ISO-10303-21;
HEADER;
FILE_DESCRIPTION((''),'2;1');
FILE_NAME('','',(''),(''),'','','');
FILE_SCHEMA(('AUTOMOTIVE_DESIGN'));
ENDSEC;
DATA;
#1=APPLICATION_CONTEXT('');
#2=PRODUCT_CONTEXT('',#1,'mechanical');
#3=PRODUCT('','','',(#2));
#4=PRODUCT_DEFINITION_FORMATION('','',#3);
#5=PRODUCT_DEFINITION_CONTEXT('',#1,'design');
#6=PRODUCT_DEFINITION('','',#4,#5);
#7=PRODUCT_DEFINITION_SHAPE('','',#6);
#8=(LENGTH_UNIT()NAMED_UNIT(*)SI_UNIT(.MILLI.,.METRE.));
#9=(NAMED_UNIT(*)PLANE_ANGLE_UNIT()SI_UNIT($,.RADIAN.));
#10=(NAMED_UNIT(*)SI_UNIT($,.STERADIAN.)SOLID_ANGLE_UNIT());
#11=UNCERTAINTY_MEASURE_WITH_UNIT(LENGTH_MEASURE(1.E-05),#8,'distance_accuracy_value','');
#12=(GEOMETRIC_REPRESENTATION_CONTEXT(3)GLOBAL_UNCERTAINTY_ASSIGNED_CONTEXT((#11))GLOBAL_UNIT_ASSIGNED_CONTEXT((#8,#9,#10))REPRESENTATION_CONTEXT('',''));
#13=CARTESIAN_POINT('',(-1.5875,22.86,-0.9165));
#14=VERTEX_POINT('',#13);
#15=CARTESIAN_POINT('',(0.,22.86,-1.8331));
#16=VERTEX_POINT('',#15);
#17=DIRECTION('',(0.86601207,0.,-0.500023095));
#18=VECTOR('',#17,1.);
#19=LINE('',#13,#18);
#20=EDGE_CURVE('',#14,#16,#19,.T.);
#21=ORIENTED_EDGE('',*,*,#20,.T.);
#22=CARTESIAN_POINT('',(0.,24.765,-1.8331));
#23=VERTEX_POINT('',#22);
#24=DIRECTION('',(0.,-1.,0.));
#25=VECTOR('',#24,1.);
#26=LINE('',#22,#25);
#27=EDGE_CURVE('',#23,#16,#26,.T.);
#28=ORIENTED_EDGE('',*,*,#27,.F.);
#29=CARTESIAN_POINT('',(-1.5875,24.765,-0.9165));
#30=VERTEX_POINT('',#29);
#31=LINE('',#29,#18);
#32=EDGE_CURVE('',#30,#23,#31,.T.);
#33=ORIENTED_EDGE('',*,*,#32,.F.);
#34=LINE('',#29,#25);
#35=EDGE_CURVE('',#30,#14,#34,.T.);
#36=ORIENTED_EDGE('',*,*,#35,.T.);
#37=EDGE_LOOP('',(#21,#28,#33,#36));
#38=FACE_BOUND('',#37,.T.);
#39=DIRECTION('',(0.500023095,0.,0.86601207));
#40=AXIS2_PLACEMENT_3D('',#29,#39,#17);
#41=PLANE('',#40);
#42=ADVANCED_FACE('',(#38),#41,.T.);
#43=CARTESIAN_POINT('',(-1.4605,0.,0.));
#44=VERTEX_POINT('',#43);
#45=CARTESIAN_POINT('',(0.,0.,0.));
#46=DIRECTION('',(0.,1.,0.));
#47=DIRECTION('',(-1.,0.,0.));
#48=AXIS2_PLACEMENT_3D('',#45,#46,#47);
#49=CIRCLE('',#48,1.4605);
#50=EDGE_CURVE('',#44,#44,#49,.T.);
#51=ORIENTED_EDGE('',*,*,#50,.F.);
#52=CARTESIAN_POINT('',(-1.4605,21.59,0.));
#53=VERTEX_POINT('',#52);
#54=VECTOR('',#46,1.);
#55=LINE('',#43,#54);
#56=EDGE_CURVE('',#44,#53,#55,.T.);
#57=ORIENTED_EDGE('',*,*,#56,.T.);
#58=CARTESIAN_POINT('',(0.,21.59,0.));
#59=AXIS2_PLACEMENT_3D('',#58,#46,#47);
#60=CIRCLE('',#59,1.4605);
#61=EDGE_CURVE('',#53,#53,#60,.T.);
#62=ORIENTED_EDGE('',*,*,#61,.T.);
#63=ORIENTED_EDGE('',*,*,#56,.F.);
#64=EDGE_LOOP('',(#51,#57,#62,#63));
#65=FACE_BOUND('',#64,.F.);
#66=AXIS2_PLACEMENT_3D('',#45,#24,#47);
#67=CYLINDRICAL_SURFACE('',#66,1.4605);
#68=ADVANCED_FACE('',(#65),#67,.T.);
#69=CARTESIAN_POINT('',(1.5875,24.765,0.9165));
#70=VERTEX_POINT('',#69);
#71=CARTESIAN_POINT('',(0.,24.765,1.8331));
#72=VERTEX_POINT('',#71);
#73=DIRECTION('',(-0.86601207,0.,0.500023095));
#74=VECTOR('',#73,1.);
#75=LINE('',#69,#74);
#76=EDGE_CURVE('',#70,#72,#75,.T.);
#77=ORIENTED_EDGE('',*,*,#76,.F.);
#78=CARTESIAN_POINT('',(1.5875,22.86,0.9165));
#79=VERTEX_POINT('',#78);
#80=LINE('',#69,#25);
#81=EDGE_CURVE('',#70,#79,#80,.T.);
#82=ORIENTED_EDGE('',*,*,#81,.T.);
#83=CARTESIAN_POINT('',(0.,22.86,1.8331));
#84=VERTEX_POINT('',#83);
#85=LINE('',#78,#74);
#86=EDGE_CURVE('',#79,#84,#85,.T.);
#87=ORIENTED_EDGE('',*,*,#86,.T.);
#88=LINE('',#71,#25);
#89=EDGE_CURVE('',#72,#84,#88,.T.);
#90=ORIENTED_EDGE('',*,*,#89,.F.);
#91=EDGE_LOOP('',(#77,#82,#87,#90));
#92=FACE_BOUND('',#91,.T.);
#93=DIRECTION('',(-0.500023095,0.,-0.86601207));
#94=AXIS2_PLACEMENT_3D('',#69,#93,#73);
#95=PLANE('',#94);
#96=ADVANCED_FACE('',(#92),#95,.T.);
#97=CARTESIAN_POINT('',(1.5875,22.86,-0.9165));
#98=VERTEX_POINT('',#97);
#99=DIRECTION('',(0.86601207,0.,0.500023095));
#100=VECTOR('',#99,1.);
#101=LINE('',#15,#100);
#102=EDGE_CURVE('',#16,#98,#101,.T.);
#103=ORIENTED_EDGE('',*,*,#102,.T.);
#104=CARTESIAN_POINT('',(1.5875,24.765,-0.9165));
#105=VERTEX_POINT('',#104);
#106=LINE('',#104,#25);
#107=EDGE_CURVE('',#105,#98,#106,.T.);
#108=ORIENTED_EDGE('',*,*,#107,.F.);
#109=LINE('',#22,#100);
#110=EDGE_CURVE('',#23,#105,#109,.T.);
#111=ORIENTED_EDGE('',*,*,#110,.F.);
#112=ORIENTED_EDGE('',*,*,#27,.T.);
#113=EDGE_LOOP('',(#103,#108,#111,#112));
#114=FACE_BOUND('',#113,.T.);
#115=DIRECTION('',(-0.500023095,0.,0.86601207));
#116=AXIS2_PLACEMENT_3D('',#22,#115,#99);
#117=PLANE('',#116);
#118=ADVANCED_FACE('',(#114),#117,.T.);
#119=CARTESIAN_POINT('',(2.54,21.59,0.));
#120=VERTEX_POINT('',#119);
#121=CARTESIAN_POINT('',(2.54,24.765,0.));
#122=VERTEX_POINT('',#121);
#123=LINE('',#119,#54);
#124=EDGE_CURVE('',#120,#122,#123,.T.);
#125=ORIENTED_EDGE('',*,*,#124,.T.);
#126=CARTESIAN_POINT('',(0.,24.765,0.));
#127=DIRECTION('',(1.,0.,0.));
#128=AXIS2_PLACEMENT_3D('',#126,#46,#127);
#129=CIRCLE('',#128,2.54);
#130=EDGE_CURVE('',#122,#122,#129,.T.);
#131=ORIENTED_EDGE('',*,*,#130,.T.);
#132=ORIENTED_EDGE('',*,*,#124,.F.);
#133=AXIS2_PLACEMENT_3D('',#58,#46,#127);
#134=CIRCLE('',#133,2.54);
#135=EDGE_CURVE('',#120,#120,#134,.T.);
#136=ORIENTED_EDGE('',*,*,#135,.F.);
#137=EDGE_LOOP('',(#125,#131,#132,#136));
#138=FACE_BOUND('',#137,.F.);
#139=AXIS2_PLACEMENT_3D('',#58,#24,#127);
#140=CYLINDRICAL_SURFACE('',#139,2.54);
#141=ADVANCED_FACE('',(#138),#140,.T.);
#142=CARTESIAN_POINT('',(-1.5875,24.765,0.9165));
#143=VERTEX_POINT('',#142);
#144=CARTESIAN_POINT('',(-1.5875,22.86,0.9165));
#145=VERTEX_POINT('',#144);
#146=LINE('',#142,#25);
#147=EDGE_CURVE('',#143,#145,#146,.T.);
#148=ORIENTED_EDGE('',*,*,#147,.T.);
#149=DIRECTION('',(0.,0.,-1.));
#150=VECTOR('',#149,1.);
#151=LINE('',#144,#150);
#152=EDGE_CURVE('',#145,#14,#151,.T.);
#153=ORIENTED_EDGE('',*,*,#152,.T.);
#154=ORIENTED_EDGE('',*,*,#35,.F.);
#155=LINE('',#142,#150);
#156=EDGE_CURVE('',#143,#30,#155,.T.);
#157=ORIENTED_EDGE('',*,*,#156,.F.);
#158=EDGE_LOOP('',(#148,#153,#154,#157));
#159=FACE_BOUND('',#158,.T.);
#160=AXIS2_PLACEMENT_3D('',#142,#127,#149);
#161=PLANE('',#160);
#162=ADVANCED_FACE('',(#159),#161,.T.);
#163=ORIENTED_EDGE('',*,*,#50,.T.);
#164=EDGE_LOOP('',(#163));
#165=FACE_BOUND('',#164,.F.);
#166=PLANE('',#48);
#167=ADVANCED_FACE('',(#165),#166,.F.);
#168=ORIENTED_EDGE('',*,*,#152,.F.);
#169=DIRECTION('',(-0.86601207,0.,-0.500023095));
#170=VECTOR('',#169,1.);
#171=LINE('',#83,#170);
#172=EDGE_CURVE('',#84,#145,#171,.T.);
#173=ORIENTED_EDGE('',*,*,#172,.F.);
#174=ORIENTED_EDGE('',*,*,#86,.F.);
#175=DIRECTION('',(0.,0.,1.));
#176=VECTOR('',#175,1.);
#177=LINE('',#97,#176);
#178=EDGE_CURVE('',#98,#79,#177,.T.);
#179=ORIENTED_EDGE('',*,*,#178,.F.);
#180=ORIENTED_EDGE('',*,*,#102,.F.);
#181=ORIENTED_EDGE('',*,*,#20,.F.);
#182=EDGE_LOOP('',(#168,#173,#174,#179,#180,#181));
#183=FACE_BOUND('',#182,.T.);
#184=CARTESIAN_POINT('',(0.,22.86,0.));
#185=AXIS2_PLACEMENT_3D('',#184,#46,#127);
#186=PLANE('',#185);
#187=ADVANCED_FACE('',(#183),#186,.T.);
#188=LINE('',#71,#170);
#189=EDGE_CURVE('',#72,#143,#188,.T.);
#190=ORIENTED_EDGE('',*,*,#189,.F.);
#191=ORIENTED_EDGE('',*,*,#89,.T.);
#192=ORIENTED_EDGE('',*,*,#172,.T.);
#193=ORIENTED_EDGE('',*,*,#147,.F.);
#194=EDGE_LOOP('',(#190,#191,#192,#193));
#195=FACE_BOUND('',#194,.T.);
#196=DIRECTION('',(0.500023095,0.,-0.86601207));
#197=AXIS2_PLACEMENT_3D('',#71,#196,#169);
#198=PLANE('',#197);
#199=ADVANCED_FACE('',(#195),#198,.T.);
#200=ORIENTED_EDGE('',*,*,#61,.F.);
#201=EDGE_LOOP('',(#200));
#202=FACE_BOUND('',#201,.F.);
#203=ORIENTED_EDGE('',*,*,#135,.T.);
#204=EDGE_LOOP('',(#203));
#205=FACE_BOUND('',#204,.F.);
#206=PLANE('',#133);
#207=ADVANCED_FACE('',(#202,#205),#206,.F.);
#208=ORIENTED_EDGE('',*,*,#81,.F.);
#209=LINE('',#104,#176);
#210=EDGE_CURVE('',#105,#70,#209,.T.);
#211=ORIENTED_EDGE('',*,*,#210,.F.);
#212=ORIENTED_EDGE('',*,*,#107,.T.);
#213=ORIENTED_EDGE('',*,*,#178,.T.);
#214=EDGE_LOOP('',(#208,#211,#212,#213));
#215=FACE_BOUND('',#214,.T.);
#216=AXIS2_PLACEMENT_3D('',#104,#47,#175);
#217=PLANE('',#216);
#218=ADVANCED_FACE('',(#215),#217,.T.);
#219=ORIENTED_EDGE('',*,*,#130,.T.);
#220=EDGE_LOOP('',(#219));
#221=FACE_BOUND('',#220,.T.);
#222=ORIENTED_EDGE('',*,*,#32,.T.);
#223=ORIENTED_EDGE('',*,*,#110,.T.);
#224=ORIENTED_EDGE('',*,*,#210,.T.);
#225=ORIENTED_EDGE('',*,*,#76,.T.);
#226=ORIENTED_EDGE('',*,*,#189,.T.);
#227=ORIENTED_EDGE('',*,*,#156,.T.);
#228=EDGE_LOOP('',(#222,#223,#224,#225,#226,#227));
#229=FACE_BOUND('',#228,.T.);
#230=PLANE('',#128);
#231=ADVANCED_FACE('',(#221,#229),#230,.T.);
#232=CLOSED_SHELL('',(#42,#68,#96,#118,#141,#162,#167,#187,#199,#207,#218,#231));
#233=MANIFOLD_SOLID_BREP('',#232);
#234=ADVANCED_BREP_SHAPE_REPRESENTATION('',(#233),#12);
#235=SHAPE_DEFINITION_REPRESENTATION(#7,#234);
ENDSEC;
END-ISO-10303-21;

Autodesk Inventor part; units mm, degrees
ref_plane "YZ Plane" through (0, 0, 0) normal (1, 0, 0) x (0, 1, 0)
ref_plane "XZ Plane" through (0, 0, 0) normal (0, 1, 0) x (-1, 0, 0)
ref_plane "XY Plane" through (0, 0, 0) normal (0, 0, 1) x (1, 0, 0)
sketch "Sketch1" plane through (0, 0, 0) normal (0, 1, 0) x (-1, 0, 0)
  circle A0 centre (0, 0) radius 1.4605
  dimension "d0" = 2.921
extrude "Extrusion1" add sketch "Sketch1" along normal blind 21.59
sketch "Sketch2" plane through (0, 21.59, 0) normal (0, 1, 0) x (1, 0, 0)
  circle A0 centre (0, 0) radius 2.54
  dimension "d3" = 5.08
extrude "Extrusion2" add sketch "Sketch2" along normal blind 3.175
sketch "Sketch3" plane through (0, 24.765, 0) normal (0, 1, 0) x (1, 0, 0)
  line L0 (0, 1.8331) -> (1.5875, 0.9165)
  line L1 (1.5875, 0.9165) -> (1.5875, -0.9165)
  line L2 (1.5875, -0.9165) -> (0, -1.8331)
  line L3 (0, -1.8331) -> (-1.5875, -0.9165)
  line L4 (-1.5875, -0.9165) -> (-1.5875, 0.9165)
  line L5 (-1.5875, 0.9165) -> (0, 1.8331)
  point P0 (0, 0)
  point P1 (0, 0)
  dimension "d6" = 3.175
extrude "Extrusion3" cut sketch "Sketch3" against normal blind 1.905
thread "Thread1" size "5-40 UNC" class "2A" standard "ANSI Unified Screw Threads" length 34.29 offset 6.35
properties part number "Tube Rack bolt" material "Steel, Galvanized"
